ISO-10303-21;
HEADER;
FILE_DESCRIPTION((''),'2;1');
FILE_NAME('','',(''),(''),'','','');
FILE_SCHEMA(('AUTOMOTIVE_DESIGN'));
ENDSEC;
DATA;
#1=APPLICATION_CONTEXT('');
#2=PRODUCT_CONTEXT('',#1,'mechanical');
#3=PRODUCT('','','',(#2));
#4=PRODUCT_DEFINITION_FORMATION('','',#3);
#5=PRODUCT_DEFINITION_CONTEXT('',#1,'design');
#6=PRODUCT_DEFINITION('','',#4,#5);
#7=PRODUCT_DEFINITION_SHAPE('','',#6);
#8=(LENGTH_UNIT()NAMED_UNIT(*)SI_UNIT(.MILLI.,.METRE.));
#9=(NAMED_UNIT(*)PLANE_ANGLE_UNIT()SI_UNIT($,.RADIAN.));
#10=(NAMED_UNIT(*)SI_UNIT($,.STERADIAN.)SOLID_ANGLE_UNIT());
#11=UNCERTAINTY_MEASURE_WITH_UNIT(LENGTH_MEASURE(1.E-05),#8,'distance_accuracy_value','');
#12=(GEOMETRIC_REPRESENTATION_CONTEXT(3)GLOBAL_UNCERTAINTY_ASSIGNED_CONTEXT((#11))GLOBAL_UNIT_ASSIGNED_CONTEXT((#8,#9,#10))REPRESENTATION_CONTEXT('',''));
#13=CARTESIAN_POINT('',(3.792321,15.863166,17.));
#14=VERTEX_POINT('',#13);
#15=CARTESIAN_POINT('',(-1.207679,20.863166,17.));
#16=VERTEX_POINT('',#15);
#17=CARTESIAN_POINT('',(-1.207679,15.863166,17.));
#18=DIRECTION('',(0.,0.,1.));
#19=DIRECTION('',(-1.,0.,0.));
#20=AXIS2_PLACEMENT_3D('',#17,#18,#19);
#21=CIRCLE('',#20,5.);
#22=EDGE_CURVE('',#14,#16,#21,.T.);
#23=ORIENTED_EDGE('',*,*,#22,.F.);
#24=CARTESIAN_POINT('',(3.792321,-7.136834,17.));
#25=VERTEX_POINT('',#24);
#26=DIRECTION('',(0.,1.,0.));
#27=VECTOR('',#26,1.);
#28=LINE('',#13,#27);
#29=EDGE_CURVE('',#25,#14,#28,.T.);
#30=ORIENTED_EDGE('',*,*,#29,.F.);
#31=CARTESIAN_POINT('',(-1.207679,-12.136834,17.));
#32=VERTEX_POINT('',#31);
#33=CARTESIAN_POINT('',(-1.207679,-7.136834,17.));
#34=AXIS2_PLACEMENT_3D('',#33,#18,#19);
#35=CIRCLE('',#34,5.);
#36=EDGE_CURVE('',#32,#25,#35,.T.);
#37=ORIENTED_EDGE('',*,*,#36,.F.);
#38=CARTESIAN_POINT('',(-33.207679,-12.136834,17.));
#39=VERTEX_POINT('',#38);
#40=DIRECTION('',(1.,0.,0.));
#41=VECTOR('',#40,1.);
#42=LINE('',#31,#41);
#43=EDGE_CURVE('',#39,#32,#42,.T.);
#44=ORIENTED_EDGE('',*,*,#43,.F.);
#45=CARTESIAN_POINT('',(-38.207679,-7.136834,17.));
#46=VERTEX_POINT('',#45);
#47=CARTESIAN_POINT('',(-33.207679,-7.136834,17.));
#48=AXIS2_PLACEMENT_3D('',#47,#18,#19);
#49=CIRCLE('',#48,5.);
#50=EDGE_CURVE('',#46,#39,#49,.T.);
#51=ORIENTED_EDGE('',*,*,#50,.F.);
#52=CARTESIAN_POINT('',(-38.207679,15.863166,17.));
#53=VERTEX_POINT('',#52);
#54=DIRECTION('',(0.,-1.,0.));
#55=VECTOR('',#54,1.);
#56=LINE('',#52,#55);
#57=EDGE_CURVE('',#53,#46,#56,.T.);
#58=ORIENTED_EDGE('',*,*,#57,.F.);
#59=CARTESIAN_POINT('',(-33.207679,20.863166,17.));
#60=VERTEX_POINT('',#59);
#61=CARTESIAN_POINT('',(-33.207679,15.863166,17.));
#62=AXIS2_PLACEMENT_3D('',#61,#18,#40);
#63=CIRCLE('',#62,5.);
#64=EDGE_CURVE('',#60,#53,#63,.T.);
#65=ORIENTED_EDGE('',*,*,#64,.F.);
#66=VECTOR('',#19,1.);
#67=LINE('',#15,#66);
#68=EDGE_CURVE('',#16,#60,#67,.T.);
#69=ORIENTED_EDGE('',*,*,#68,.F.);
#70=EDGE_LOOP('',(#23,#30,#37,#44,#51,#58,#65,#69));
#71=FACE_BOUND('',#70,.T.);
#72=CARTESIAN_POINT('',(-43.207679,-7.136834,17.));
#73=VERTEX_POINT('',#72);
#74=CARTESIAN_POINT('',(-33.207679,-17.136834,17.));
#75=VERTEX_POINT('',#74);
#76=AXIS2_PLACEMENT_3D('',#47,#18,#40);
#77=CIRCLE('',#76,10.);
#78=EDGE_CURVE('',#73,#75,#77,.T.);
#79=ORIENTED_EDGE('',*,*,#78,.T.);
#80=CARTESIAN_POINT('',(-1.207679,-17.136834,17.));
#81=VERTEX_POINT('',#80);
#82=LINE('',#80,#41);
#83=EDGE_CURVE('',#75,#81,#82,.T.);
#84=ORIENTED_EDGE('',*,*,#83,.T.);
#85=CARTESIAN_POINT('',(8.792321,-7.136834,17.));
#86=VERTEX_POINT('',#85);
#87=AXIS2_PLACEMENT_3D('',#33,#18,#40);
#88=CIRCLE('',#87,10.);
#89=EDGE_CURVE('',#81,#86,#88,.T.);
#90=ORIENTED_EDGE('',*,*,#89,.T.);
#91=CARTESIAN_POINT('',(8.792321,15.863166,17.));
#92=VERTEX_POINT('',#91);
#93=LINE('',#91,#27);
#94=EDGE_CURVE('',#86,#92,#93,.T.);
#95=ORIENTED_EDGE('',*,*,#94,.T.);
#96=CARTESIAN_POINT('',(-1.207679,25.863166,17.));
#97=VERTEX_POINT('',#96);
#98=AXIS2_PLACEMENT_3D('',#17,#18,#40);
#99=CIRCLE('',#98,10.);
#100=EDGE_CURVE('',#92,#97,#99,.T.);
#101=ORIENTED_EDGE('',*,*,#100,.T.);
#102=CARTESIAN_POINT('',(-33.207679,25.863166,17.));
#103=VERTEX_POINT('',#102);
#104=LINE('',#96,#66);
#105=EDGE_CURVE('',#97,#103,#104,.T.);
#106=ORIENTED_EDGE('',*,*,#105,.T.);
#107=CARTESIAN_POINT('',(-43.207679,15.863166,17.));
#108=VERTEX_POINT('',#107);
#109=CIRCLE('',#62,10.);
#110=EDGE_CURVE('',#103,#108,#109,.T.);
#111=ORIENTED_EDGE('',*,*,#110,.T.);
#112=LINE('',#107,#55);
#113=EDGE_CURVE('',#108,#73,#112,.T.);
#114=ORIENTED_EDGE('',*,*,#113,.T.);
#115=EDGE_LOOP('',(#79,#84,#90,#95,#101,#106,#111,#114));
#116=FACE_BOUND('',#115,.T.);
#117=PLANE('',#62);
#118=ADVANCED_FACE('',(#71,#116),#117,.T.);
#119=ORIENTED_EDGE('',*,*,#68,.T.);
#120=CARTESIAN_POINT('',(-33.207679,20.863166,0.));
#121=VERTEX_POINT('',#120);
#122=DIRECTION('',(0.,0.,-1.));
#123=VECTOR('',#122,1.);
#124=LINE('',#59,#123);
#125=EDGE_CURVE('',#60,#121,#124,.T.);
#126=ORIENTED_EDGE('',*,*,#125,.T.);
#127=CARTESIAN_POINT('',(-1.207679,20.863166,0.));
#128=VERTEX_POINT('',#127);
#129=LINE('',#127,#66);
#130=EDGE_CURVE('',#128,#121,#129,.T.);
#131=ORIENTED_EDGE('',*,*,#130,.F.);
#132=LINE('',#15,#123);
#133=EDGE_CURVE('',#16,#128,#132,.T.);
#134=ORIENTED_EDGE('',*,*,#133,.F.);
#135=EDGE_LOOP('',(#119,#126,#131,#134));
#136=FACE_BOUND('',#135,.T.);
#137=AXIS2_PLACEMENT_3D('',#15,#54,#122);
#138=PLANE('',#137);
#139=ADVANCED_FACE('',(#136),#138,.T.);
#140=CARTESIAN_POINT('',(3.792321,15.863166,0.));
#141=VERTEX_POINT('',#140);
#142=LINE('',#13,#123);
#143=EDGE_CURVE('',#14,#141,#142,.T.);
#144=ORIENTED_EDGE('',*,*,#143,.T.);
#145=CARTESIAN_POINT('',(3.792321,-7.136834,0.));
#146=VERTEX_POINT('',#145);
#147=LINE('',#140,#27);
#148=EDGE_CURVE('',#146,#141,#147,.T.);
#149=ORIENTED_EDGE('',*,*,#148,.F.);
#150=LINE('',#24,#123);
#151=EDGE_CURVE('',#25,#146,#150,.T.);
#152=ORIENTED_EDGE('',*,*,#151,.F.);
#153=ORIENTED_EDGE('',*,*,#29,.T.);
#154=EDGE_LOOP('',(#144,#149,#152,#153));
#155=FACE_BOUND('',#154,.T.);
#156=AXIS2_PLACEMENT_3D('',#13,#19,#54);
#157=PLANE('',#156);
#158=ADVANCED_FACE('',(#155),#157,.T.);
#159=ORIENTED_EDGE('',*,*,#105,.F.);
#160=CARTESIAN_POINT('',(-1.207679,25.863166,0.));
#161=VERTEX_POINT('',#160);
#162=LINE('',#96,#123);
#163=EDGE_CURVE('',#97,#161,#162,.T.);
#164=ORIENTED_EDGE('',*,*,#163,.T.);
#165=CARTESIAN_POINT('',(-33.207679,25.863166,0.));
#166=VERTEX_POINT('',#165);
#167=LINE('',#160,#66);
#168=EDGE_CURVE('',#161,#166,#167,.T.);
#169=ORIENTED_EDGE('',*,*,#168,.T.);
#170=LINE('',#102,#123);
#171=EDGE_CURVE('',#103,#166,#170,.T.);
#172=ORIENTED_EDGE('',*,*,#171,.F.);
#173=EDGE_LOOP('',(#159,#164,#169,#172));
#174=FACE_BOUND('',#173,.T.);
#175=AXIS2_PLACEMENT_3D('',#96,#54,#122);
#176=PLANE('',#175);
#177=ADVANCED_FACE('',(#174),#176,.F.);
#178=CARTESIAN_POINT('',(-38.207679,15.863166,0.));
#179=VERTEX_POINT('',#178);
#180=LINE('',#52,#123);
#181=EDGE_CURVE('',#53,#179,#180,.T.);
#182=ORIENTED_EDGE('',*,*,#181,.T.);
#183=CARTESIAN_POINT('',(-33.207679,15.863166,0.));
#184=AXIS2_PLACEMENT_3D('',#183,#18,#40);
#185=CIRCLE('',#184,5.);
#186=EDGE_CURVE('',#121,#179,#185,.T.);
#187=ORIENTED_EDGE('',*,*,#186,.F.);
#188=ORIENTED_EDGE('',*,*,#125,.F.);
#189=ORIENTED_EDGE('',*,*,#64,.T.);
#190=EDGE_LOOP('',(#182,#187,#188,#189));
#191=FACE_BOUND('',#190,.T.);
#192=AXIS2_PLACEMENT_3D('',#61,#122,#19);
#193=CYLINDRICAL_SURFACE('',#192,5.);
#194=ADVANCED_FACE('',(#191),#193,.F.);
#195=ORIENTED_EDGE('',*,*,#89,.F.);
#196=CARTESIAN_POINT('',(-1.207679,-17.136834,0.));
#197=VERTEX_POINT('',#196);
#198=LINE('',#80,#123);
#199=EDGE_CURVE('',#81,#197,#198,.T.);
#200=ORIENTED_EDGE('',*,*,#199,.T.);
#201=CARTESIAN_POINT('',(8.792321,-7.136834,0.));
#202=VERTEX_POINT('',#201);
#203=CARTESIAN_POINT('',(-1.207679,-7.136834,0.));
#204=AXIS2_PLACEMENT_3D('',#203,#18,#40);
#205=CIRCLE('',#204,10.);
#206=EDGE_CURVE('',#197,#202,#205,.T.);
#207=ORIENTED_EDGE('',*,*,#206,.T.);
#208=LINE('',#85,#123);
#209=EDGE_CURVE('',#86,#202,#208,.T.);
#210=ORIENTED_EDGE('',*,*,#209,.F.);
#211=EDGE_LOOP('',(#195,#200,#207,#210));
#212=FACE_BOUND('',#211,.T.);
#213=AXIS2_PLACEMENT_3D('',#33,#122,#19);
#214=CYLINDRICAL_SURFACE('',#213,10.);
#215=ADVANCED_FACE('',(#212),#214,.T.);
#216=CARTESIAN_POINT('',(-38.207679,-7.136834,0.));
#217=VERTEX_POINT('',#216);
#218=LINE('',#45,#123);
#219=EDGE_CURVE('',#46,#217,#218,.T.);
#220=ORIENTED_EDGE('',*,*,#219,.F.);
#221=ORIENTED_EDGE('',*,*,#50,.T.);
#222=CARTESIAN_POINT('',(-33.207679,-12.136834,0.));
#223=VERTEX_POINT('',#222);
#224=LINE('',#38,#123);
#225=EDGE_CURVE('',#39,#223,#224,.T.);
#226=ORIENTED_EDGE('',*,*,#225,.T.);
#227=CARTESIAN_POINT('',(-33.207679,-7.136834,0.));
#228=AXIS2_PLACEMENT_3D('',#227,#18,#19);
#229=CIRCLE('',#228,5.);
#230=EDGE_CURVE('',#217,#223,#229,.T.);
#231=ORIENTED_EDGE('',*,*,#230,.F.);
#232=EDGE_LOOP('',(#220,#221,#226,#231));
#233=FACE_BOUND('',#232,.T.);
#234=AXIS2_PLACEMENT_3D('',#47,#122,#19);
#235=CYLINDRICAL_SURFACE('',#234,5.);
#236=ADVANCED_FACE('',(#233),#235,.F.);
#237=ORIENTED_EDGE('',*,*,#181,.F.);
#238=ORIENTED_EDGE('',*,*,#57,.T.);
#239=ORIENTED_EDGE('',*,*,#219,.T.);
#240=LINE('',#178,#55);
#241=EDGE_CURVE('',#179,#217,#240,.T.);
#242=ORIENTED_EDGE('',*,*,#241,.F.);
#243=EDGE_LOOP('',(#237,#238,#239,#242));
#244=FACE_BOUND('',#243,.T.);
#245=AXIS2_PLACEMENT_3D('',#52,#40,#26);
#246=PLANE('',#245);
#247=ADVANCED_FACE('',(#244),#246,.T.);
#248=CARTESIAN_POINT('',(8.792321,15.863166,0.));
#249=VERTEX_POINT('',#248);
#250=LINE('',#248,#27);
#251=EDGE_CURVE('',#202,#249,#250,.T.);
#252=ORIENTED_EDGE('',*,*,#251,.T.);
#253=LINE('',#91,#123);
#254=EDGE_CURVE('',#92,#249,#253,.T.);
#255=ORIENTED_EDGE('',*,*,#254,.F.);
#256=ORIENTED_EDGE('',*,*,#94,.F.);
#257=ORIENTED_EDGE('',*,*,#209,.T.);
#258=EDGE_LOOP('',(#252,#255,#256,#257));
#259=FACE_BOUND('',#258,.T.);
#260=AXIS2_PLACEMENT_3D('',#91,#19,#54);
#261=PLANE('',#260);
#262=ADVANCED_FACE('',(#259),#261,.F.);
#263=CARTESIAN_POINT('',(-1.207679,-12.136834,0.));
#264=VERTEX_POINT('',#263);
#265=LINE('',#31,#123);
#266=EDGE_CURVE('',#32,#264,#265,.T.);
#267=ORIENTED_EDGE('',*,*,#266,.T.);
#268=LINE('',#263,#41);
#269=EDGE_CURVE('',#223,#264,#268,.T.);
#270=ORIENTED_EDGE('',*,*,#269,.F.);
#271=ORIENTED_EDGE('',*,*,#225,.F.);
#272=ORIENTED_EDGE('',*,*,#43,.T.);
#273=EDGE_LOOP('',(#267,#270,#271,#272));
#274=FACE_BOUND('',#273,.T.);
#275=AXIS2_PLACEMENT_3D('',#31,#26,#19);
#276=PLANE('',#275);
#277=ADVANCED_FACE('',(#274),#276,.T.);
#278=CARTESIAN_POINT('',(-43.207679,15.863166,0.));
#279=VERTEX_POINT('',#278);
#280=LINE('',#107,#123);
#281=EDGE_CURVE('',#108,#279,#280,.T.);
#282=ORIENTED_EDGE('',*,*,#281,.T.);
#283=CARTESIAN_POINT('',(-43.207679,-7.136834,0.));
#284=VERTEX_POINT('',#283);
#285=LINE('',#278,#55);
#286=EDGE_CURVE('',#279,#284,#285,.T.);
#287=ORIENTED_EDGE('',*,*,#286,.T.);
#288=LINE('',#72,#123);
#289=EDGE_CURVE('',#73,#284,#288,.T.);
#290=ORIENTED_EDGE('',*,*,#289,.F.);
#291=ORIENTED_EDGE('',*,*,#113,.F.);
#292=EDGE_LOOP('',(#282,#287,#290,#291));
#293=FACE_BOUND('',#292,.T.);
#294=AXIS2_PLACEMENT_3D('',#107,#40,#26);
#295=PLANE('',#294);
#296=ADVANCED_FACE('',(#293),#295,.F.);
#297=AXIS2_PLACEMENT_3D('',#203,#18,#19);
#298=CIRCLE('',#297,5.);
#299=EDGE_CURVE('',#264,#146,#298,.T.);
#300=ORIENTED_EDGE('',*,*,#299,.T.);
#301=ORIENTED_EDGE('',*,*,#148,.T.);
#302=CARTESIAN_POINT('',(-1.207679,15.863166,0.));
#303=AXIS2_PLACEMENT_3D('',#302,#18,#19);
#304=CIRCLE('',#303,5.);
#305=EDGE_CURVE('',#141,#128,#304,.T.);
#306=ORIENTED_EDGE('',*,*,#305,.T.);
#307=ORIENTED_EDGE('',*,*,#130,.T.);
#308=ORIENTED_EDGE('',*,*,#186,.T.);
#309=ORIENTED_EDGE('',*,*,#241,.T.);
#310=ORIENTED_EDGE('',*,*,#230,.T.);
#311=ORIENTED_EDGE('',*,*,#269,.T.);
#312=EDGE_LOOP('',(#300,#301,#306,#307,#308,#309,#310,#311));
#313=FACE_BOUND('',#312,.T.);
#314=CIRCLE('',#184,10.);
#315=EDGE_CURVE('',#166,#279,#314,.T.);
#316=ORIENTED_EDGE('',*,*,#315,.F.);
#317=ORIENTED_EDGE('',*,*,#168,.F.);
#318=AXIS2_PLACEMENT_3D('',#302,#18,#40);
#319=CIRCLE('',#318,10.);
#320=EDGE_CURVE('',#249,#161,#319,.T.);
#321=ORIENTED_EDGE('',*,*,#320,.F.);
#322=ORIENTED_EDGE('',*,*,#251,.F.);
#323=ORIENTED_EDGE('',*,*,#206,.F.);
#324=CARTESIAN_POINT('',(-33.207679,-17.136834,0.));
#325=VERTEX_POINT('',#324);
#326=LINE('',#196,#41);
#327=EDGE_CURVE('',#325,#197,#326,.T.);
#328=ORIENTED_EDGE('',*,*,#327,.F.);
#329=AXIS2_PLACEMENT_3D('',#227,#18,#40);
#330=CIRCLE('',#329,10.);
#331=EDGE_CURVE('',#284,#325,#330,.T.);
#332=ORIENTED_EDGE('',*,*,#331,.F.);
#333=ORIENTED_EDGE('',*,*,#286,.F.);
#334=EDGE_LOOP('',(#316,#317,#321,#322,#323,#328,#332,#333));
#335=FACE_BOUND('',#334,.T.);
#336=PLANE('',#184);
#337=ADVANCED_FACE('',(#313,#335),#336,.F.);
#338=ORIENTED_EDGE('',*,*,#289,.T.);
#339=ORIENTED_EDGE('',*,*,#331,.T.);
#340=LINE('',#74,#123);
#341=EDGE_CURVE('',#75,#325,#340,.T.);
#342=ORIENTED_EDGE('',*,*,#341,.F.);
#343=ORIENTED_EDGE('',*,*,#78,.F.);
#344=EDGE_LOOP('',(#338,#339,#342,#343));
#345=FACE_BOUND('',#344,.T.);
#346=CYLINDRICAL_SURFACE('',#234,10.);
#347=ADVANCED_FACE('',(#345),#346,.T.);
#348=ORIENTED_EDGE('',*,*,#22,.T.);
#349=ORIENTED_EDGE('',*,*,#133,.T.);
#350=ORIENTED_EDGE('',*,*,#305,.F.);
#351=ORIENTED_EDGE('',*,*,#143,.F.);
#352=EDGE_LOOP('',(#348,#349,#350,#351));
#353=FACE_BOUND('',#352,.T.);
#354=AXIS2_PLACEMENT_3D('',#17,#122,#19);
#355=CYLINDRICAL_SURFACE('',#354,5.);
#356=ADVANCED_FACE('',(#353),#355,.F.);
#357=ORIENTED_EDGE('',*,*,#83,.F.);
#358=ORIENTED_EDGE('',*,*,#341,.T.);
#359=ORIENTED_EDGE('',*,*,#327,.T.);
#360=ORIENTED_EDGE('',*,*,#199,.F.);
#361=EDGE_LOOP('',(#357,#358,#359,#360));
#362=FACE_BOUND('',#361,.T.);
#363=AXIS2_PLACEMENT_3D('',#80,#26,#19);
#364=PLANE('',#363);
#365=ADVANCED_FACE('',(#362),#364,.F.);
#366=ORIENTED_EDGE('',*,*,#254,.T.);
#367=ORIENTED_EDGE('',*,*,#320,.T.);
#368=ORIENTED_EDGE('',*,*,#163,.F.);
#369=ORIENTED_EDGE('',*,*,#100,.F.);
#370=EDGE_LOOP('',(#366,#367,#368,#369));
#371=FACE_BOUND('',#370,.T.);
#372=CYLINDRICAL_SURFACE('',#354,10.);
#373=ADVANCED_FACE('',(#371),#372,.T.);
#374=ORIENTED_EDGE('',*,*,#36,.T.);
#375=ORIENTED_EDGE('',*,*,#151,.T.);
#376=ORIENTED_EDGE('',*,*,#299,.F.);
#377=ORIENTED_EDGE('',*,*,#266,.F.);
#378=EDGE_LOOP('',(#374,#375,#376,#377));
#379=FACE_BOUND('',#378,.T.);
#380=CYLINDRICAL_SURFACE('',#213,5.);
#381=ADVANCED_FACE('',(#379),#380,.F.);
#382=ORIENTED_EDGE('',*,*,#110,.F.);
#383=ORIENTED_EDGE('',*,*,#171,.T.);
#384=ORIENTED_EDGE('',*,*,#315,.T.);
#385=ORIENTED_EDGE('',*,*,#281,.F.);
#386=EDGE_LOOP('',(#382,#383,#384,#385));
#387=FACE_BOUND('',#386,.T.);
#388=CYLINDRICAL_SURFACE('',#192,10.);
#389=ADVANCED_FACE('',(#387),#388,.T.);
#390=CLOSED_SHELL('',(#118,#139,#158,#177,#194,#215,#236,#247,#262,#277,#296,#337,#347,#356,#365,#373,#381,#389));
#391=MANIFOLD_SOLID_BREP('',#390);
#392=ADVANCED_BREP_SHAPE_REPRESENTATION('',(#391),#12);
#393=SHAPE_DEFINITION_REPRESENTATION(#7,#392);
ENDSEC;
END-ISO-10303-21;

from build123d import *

# Parameters (mm, degrees)
EXTRUDE_THIN3_DEPTH = 17


with BuildPart() as part:
    # Sketch1 → Extrude-Thin3 (new body)
    with BuildSketch(Plane.XY):
        with BuildLine():
            Line((-33.207679085, -17.13683434), (-1.207679085, -17.13683434))
            ThreePointArc((-1.207679085, -17.13683434), (5.863388726, -14.207902152), (8.792320915, -7.13683434))
            Line((8.792320915, -7.13683434), (8.792320915, 15.86316566))
            ThreePointArc((8.792320915, 15.86316566), (5.863388726, 22.934233472), (-1.207679085, 25.86316566))
            Line((-1.207679085, 25.86316566), (-33.207679085, 25.86316566))
            ThreePointArc((-33.207679085, 25.86316566), (-40.278746897, 22.934233472), (-43.207679085, 15.86316566))
            Line((-43.207679085, 15.86316566), (-43.207679085, -7.13683434))
            ThreePointArc((-43.207679085, -7.13683434), (-40.278746897, -14.207902152), (-33.207679085, -17.13683434))
        make_face()
        with BuildLine():
            Line((-33.207679085, -12.13683434), (-1.207679085, -12.13683434))
            ThreePointArc((-1.207679085, -12.13683434), (2.327854821, -10.672368246), (3.792320915, -7.13683434))
            Line((3.792320915, -7.13683434), (3.792320915, 15.86316566))
            ThreePointArc((3.792320915, 15.86316566), (2.327854821, 19.398699566), (-1.207679085, 20.86316566))
            Line((-1.207679085, 20.86316566), (-33.207679085, 20.86316566))
            ThreePointArc((-33.207679085, 20.86316566), (-36.743212991, 19.398699566), (-38.207679085, 15.86316566))
            Line((-38.207679085, 15.86316566), (-38.207679085, -7.13683434))
            ThreePointArc((-38.207679085, -7.13683434), (-36.743212991, -10.672368246), (-33.207679085, -12.13683434))
        make_face(mode=Mode.SUBTRACT)
    extrude(amount=EXTRUDE_THIN3_DEPTH)


solid = part.part
